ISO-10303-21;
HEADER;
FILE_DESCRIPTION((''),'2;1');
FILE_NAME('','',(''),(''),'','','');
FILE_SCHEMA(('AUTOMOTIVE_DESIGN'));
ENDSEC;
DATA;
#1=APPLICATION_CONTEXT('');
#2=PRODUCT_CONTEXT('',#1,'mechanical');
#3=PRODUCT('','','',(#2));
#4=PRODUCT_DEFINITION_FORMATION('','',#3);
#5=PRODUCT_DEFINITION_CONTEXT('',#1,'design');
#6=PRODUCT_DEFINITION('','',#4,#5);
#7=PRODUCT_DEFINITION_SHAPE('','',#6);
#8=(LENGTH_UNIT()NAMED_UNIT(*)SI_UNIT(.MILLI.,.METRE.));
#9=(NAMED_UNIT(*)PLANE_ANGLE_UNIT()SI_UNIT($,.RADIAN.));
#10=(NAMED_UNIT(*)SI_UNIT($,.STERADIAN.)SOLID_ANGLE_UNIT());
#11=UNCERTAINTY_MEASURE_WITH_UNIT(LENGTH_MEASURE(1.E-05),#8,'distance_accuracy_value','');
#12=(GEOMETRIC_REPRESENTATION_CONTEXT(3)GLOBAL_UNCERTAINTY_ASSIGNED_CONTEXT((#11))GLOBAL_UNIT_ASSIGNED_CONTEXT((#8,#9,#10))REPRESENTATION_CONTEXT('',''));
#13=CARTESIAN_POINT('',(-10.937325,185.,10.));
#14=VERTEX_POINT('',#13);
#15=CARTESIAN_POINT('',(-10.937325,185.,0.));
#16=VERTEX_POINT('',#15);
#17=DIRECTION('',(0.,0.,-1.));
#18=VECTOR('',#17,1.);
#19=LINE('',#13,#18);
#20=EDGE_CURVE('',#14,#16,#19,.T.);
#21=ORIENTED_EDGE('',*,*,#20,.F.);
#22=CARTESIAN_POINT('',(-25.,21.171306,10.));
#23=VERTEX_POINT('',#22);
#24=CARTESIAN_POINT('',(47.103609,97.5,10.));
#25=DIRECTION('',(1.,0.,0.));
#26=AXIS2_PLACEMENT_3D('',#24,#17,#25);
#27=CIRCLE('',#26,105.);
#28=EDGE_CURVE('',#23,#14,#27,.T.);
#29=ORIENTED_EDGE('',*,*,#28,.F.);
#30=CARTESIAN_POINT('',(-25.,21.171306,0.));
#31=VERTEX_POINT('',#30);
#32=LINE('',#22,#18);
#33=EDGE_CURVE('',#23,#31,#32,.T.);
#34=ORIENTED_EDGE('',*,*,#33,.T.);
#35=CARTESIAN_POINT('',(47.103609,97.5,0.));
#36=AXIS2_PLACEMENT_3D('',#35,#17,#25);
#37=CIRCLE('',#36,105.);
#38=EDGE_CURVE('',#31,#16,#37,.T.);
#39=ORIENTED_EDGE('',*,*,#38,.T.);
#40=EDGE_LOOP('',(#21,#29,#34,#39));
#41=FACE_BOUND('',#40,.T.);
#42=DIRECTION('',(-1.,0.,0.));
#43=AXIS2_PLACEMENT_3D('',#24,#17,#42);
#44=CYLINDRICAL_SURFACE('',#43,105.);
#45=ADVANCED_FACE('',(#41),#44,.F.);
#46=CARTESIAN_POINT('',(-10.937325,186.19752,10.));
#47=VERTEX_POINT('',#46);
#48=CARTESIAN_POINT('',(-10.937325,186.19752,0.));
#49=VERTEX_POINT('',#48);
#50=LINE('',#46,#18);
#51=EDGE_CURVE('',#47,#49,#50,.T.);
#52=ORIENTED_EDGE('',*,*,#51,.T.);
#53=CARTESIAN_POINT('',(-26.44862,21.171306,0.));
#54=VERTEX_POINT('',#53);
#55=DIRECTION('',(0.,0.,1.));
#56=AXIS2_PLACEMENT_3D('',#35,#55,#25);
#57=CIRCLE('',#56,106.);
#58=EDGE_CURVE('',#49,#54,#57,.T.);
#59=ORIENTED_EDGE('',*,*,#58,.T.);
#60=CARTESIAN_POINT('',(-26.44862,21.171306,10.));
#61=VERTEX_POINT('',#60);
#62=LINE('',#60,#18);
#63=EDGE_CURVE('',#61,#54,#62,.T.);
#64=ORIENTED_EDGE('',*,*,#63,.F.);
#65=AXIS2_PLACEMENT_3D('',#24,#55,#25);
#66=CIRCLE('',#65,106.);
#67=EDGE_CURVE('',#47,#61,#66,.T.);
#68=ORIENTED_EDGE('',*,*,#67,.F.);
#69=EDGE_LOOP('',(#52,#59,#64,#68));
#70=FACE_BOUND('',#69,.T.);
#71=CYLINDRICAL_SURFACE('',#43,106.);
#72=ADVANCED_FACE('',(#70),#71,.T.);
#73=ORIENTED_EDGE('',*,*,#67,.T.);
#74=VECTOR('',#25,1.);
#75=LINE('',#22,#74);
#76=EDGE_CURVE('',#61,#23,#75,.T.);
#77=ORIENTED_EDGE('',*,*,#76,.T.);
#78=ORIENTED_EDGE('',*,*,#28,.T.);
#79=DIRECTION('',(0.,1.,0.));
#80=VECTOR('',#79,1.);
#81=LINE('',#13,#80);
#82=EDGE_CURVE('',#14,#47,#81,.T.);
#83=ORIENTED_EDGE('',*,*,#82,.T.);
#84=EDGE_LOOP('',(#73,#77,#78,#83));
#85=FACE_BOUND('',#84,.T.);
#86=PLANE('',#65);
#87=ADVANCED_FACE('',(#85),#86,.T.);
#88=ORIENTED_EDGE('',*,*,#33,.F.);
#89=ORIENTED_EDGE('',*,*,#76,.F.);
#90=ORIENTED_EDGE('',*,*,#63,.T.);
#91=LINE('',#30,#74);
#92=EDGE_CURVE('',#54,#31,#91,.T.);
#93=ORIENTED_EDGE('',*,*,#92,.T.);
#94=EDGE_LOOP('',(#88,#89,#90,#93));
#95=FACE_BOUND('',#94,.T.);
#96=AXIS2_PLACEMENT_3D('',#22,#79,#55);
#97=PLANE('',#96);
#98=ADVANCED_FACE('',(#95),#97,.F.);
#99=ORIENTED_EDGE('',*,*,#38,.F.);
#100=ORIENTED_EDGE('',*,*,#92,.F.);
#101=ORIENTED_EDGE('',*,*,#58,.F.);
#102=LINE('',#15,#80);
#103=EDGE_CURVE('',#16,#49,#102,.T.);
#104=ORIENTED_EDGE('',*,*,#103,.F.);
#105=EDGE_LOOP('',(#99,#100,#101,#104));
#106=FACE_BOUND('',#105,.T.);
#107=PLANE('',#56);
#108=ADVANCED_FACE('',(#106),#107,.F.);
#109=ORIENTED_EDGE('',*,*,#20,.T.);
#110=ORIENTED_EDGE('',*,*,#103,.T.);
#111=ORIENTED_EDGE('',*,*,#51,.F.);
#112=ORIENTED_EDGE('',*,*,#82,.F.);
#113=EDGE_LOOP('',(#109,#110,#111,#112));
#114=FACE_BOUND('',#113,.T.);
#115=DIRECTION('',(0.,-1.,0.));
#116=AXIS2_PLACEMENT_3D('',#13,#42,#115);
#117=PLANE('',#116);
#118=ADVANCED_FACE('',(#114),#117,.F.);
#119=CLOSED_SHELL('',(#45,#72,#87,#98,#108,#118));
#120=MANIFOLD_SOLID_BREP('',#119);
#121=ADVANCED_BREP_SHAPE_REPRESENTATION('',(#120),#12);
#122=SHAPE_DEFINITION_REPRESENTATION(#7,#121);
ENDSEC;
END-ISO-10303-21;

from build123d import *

# Parameters (mm, degrees)
BOSS_EXTRUDE1_DEPTH = 10


with BuildPart() as part:
    # Sketch1 → Boss-Extrude1 (new body)
    with BuildSketch(Plane.XY):
        with BuildLine():
            Line((-10.937324628, 185), (-10.937324628, 186.197519695))
            ThreePointArc((-10.937324628, 186.197519695), (-58.431233219, 107.419527957), (-26.448620268, 21.171305921))
            Line((-26.448620268, 21.171305921), (-25, 21.171305921))
            ThreePointArc((-25, 21.171305921), (-57.511689732, 106.47993478), (-10.937324628, 185))
        make_face()
    extrude(amount=BOSS_EXTRUDE1_DEPTH)


solid = part.part
